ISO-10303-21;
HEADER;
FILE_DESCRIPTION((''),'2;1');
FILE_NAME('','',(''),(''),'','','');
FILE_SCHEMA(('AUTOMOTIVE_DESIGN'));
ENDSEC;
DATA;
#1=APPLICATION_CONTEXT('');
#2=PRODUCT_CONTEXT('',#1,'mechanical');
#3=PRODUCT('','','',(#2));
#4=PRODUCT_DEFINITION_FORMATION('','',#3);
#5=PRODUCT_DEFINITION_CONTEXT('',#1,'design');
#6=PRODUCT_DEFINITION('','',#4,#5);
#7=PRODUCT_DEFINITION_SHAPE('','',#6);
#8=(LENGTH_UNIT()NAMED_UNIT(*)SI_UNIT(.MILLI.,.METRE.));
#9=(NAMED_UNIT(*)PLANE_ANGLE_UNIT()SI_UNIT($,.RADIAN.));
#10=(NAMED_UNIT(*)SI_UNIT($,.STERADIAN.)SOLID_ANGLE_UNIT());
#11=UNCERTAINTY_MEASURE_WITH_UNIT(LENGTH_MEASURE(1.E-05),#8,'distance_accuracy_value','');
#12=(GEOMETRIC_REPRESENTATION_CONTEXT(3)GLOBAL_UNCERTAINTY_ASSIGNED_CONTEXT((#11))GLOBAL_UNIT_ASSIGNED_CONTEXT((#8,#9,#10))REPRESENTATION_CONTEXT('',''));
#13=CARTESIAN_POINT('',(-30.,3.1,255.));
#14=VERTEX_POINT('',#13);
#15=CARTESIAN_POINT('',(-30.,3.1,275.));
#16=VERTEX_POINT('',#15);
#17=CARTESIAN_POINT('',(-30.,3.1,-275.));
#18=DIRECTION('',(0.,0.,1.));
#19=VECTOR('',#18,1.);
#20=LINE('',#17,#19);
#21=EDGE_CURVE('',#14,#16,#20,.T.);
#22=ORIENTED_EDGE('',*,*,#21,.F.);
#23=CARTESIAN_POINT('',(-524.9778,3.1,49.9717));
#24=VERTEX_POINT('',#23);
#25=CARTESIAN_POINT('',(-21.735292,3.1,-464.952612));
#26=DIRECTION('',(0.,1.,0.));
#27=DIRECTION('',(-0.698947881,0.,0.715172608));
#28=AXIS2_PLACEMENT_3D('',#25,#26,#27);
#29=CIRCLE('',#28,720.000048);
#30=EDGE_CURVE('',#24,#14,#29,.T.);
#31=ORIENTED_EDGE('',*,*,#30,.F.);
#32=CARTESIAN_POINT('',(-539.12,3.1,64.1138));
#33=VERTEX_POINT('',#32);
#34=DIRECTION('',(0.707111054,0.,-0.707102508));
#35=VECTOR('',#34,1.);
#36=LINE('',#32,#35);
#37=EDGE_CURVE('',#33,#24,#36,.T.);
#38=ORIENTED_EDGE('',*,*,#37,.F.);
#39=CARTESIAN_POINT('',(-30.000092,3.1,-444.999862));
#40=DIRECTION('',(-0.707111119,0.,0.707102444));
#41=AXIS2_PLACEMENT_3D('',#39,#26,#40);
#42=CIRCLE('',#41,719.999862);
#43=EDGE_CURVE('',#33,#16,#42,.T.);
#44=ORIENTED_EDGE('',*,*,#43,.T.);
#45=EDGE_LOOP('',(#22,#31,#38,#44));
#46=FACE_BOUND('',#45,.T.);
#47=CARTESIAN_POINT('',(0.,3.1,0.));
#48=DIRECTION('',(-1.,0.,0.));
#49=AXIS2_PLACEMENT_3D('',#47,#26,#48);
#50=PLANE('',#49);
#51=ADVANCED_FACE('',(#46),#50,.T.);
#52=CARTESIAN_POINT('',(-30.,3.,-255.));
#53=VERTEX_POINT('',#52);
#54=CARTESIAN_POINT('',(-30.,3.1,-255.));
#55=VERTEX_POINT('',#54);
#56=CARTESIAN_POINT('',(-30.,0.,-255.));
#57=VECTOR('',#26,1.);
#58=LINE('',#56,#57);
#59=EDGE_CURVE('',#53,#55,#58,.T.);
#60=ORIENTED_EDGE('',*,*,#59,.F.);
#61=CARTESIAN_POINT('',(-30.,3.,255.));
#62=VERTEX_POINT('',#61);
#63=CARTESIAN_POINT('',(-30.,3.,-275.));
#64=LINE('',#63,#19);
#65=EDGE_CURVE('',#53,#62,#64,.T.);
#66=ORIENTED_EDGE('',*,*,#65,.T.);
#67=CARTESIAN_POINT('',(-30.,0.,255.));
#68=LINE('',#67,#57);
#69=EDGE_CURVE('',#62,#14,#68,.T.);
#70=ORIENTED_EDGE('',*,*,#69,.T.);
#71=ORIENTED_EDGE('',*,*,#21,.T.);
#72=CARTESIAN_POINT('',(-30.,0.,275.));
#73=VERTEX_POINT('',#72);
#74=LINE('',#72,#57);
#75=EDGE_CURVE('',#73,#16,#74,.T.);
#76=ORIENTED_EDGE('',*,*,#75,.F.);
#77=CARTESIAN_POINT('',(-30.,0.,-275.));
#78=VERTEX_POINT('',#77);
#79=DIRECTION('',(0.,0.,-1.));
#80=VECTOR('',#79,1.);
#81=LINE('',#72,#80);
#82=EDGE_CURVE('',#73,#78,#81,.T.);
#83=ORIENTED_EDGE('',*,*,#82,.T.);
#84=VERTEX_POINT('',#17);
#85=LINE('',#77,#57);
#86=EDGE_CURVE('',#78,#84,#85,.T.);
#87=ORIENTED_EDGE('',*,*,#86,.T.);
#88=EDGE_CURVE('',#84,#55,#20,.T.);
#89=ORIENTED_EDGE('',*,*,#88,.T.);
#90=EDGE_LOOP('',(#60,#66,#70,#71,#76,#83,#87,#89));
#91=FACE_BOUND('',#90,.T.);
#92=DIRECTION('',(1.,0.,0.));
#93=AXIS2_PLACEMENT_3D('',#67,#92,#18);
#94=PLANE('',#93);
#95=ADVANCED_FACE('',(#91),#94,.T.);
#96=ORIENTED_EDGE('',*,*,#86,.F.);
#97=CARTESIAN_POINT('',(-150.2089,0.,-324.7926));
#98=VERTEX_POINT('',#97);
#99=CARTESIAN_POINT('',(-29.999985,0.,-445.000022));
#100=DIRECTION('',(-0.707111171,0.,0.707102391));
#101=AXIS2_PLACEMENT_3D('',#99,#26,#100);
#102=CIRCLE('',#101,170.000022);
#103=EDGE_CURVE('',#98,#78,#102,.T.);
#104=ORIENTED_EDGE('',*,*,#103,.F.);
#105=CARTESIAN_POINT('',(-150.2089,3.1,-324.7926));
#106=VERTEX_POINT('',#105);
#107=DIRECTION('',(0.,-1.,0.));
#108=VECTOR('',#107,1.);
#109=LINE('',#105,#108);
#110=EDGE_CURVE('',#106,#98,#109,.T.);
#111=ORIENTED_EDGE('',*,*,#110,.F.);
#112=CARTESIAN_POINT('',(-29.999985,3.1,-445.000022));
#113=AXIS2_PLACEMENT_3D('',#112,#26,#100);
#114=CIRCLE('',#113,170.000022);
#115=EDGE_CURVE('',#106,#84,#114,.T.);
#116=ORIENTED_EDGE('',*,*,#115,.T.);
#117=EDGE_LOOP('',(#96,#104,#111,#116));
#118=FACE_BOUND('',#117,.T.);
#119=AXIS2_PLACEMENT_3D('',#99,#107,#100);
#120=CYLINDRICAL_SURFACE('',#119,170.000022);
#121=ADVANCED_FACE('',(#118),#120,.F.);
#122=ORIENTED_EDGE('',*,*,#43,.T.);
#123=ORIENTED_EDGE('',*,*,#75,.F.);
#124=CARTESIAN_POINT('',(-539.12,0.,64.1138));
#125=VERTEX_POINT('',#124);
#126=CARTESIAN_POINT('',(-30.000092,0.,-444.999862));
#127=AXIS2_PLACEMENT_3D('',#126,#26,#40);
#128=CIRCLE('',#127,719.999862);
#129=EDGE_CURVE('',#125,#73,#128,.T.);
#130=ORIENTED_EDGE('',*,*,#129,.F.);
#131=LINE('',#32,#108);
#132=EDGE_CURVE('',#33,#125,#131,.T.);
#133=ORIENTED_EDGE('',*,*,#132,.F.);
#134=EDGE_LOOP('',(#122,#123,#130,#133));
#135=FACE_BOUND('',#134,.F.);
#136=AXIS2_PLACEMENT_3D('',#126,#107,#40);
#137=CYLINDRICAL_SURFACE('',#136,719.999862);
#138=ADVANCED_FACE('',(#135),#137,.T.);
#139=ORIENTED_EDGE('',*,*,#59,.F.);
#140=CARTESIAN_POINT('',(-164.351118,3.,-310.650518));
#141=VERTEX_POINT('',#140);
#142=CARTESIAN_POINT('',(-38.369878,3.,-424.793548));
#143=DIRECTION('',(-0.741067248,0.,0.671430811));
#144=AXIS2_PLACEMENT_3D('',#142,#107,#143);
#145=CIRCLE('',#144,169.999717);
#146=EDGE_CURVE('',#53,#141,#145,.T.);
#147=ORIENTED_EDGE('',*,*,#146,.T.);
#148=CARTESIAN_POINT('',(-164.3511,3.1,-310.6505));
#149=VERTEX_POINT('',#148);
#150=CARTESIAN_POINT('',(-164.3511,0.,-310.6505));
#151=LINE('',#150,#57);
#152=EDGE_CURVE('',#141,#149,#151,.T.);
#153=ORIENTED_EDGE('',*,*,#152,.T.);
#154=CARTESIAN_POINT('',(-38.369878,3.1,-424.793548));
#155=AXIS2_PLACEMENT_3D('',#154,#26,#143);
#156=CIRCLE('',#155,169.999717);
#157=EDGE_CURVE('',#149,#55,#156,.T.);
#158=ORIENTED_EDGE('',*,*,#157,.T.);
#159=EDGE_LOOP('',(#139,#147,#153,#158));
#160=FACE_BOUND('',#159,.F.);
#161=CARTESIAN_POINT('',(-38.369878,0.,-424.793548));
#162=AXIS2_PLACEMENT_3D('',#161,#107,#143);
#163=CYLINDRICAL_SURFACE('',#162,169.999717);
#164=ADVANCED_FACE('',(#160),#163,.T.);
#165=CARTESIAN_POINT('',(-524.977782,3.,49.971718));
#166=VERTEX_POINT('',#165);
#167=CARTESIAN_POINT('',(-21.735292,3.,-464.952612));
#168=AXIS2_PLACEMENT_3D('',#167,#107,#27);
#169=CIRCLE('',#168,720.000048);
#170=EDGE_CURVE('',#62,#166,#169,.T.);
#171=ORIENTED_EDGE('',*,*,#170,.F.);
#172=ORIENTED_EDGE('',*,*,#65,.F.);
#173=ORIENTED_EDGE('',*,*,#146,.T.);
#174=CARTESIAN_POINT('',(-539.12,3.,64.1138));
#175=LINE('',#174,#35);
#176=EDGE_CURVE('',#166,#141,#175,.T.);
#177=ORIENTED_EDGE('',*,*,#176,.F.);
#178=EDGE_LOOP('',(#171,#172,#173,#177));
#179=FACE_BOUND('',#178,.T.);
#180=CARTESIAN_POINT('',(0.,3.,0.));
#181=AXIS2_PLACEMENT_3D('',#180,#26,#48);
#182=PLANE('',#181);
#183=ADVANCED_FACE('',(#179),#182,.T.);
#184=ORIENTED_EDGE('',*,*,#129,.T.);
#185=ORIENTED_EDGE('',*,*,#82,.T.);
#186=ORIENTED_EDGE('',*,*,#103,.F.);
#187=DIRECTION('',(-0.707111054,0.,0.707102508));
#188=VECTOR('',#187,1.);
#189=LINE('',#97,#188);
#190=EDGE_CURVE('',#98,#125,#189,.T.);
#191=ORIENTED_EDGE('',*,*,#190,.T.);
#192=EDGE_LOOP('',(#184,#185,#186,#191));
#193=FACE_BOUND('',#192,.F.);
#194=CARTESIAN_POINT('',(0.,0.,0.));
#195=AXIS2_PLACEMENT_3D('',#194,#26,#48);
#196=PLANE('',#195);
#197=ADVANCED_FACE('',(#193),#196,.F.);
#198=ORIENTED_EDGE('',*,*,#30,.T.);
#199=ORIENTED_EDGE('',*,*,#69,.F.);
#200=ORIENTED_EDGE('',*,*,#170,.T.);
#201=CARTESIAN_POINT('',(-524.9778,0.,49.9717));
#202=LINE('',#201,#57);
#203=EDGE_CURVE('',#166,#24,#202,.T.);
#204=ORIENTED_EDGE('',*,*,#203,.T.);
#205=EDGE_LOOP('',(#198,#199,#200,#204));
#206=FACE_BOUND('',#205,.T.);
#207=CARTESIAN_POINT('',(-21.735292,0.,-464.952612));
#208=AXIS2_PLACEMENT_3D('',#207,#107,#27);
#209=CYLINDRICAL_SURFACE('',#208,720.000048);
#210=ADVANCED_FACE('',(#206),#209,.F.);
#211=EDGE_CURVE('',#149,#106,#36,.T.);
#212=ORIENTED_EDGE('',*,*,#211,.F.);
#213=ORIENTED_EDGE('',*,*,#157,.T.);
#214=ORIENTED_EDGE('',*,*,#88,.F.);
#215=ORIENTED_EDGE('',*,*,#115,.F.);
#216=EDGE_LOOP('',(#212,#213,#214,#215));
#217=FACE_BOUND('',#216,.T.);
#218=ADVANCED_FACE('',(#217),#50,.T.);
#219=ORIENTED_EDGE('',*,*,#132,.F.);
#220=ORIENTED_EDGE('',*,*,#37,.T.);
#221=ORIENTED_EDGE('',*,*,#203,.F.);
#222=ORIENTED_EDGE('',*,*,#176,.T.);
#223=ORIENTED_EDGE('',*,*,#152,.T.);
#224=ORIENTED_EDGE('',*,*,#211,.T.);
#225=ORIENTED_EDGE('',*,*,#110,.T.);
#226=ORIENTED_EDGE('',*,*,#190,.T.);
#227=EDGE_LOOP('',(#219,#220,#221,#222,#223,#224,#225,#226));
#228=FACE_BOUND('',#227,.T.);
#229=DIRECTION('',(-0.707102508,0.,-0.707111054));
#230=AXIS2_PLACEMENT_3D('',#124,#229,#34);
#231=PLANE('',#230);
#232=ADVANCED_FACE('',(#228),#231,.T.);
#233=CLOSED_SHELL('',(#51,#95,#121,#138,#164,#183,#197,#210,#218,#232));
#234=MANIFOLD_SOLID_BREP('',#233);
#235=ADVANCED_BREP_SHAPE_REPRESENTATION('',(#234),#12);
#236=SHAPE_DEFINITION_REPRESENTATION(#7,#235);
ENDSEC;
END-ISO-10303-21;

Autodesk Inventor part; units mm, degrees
ref_plane "YZ Plane" through (0, 0, 0) normal (1, 0, 0) x (0, 1, 0)
ref_plane "XZ Plane" through (0, 0, 0) normal (0, 1, 0) x (-1, 0, 0)
ref_plane "XY Plane" through (0, 0, 0) normal (0, 0, 1) x (1, 0, 0)
sketch "Sketch1" plane through (0, 0, 0) normal (0, 1, 0) x (-1, 0, 0)
  line L0 (30, 275) -> (0, 275)
  line L1 (0, 275) -> (0, -275)
  line L2 (0, -275) -> (30, -275)
  line L3 (30, -275) -> (30, 275)
  line L4 (539.12, 64.1138) -> (150.2089, -324.7926)
  arc A0 (539.12, 64.1138) -> (30, 275) centre (30, -445) ccw
  arc A1 (150.2089, -324.7926) -> (30, -275) centre (30, -445) ccw
  line L5 (0, 255) -> (30, 255)
  line L6 (0, -255) -> (30, -255)
  arc A2 (524.9778, 49.9717) -> (30, 255) centre (21.7353, -464.9526) ccw
  arc A3 (164.3511, -310.6505) -> (30, -255) centre (38.3697, -424.7938) ccw
  point P0 (0, 0)
  point P1 (0, 0)
  dimension "d0" = 30
  dimension "d1" = 550
  dimension "d4" = 550
  dimension "d8" = 539.12
  dimension "d9" = 720
  dimension "d10" = 170
  dimension "d19" = 20
  dimension "d20" = 20
  dimension "d21" = 20
  dimension "d22" = 20
  dimension "d26" = 170
  dimension "d27" = 720
extrude "Extrusion1" add sketch "Sketch1" along normal blind 3 contours A0 L4 A2 L3 | A2 L4 A3 L3 | A3 L4 A1 L3
extrude "Extrusion2" add sketch "Sketch1" along normal blind 3.1 contours A0 L4 A2 L3 | A3 L4 A1 L3
equation "\"d1\" = track_width"
equation "\"d4\" = d1"
equation "\"d19\" = curb_width"
equation "\"d20\" = curb_width"
equation "\"d21\" = curb_width"
equation "\"d22\" = curb_width"
equation "\"d26\" = d10"
equation "\"d27\" = d9"
equation "\"d6\" = track_height"
equation "\"d24\" = track_height + curb_height"
equation "\"track_width\" = 550"
equation "\"curb_width\" = 20"
equation "\"track_height\" = 3"
equation "\"curb_height\" = 0.1"
properties part number "curve_left"
